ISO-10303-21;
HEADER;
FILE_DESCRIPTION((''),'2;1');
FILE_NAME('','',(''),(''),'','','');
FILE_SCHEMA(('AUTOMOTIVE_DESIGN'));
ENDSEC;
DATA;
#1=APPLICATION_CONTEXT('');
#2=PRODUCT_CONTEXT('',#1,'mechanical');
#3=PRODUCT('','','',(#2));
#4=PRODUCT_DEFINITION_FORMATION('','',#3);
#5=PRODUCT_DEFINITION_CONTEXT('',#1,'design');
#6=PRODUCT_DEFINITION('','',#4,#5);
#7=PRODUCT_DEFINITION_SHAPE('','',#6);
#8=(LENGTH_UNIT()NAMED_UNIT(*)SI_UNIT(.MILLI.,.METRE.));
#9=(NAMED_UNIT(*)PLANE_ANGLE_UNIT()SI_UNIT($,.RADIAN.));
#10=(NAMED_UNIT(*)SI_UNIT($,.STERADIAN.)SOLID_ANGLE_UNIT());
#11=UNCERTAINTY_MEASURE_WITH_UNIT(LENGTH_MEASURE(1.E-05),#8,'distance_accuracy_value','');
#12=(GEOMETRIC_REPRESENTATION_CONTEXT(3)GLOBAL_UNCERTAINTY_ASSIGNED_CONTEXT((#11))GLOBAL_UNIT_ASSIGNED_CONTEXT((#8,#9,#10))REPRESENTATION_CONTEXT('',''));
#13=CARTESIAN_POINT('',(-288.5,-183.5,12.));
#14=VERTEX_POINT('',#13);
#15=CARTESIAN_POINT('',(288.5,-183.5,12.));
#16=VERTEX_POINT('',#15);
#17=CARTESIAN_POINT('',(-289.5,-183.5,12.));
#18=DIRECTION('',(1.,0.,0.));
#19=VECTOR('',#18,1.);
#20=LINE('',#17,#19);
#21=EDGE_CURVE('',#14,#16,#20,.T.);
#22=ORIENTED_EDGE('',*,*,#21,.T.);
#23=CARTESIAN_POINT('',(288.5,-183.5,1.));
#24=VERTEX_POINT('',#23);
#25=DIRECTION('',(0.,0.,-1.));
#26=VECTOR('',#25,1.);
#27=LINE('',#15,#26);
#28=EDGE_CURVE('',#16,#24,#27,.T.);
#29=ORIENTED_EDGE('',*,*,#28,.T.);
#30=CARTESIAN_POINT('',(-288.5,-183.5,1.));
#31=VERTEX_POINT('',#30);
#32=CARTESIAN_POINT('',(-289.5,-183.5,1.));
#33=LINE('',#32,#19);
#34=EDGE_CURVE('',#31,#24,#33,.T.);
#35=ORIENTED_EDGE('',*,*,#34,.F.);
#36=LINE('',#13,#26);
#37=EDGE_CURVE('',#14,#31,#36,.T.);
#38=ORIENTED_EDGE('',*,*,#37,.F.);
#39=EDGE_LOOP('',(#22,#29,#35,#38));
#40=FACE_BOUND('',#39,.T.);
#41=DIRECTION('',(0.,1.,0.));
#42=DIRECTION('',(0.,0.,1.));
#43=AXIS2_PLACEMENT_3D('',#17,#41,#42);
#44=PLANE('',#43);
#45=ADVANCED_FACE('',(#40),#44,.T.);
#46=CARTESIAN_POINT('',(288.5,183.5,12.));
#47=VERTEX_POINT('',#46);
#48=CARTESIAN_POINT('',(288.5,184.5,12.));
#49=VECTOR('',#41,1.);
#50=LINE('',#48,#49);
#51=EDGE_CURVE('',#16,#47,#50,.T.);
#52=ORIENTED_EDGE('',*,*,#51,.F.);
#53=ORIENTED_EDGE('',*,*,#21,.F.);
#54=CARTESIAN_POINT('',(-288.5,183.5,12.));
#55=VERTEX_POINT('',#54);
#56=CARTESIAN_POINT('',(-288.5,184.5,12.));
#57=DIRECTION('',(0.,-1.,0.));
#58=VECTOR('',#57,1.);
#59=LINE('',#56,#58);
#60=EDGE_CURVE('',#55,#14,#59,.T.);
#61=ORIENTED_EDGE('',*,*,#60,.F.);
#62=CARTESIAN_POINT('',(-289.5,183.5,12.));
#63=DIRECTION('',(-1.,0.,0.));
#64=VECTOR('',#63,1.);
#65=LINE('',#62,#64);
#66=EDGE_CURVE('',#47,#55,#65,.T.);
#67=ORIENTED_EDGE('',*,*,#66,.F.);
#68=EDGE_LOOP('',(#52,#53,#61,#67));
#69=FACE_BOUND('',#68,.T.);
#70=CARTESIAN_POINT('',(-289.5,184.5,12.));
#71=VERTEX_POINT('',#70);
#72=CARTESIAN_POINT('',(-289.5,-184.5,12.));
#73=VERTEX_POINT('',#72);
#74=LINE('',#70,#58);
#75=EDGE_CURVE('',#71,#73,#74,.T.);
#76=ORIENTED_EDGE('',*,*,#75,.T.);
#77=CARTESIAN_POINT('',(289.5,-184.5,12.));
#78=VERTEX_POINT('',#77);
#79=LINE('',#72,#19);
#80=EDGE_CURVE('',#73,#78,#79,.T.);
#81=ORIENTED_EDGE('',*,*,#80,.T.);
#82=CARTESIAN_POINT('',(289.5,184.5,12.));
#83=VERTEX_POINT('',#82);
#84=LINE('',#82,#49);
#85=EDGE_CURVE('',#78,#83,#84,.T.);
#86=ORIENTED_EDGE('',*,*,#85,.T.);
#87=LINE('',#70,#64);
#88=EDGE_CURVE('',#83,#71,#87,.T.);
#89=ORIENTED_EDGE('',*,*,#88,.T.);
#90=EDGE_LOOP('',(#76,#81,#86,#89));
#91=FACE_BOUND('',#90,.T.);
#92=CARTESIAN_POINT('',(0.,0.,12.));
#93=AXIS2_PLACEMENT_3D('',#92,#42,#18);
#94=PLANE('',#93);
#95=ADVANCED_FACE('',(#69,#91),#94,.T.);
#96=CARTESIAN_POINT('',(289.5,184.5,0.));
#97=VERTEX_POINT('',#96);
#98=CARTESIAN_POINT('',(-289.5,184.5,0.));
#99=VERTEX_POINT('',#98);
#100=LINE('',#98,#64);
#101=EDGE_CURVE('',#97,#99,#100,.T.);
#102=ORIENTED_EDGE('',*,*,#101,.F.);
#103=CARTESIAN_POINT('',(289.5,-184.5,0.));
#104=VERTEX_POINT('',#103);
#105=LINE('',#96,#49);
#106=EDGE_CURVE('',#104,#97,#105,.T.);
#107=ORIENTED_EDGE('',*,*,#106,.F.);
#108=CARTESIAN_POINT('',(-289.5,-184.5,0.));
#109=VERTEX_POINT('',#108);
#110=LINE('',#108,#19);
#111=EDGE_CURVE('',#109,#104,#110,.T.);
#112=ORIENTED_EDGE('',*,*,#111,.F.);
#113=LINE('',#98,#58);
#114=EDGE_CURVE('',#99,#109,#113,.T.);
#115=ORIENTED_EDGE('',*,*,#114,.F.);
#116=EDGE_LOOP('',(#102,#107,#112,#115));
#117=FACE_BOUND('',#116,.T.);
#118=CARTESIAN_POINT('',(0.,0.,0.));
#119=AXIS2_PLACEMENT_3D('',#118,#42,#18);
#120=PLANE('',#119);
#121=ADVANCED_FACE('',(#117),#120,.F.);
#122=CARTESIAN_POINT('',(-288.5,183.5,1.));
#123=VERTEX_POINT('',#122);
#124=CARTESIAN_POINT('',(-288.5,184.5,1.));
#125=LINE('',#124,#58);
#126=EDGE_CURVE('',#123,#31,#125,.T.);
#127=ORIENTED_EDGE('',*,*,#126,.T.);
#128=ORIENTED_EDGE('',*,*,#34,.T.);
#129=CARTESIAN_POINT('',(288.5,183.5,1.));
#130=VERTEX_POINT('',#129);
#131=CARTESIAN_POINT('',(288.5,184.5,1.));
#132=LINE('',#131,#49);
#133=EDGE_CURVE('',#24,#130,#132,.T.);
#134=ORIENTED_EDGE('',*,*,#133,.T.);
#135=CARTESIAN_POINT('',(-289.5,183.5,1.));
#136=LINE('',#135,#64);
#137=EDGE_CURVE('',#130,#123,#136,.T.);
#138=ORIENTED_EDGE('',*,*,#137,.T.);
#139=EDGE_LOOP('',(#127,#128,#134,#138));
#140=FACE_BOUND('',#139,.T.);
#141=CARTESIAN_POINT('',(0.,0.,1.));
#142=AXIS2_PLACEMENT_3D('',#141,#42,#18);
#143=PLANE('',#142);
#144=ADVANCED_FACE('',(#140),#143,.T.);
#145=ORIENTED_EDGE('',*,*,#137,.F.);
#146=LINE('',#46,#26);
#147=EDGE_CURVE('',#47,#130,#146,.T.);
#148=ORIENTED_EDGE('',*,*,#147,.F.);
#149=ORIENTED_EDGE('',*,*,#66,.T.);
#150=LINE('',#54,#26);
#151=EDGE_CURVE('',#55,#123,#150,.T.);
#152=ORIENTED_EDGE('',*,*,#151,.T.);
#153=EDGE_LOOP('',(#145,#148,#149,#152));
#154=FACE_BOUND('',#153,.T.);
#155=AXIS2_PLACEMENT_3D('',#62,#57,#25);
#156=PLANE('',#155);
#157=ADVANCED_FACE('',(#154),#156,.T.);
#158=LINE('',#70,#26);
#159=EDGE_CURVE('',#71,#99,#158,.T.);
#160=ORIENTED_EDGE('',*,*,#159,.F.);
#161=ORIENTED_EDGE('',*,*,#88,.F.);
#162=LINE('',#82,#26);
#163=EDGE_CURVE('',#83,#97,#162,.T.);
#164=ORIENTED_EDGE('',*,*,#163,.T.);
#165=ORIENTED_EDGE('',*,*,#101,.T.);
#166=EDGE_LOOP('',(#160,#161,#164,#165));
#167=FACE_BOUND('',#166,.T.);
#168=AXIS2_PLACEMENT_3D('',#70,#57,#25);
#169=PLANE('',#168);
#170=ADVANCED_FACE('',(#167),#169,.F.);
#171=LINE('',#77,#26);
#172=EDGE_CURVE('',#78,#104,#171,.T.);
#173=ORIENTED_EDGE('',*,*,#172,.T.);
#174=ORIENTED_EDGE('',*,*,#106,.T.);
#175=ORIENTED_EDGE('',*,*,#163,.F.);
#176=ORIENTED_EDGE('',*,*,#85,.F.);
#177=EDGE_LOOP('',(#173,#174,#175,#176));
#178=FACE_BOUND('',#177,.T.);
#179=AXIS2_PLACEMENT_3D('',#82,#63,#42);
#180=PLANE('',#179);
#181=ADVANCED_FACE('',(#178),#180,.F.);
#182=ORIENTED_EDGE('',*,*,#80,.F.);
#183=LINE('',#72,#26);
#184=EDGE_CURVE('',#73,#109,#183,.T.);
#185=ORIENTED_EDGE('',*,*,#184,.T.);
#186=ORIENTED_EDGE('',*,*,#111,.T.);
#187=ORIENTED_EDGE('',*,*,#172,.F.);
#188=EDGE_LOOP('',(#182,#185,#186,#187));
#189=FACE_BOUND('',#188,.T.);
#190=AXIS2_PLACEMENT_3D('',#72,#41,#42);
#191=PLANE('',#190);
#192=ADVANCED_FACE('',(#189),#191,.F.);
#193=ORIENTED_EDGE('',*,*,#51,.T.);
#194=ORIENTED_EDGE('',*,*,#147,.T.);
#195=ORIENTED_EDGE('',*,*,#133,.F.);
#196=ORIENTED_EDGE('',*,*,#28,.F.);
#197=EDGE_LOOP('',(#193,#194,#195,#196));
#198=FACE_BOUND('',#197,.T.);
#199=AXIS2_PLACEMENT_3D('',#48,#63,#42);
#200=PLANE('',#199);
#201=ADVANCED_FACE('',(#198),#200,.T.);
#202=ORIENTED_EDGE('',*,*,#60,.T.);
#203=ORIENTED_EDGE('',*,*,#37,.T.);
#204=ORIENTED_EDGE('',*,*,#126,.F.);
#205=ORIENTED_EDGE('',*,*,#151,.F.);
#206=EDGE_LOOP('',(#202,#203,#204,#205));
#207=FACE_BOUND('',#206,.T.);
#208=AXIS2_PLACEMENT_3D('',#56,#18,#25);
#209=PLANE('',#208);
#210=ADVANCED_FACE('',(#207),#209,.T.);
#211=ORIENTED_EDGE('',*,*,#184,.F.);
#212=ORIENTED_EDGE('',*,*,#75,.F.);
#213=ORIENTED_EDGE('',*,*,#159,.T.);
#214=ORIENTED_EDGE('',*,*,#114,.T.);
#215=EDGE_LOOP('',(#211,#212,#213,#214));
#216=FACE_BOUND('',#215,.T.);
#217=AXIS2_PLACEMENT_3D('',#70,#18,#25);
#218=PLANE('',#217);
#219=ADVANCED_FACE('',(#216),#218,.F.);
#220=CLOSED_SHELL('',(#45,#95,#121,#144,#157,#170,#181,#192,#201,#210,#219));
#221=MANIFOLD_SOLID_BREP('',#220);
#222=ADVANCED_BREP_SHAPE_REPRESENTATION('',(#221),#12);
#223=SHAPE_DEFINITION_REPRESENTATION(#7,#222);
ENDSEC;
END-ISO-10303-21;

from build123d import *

# Parameters (mm, degrees)
SKETCH_1_W      = 579
SKETCH_1_H      = 369
EXTRUDE_1_DEPTH = 12
SHELL_1_T       = -1


with BuildPart() as part:
    # 草图1 → 凸台-拉伸1 (new body)
    with BuildSketch(Plane.XY):
        Rectangle(SKETCH_1_W, SKETCH_1_H)
    extrude(amount=EXTRUDE_1_DEPTH)

    # 抽壳1
    shell_1_openings = [part.faces().sort_by_distance(p)[0] for p in [
        (0, 0, 12),
    ]]
    offset(amount=SHELL_1_T, openings=shell_1_openings, kind=Kind.INTERSECTION)


solid = part.part
